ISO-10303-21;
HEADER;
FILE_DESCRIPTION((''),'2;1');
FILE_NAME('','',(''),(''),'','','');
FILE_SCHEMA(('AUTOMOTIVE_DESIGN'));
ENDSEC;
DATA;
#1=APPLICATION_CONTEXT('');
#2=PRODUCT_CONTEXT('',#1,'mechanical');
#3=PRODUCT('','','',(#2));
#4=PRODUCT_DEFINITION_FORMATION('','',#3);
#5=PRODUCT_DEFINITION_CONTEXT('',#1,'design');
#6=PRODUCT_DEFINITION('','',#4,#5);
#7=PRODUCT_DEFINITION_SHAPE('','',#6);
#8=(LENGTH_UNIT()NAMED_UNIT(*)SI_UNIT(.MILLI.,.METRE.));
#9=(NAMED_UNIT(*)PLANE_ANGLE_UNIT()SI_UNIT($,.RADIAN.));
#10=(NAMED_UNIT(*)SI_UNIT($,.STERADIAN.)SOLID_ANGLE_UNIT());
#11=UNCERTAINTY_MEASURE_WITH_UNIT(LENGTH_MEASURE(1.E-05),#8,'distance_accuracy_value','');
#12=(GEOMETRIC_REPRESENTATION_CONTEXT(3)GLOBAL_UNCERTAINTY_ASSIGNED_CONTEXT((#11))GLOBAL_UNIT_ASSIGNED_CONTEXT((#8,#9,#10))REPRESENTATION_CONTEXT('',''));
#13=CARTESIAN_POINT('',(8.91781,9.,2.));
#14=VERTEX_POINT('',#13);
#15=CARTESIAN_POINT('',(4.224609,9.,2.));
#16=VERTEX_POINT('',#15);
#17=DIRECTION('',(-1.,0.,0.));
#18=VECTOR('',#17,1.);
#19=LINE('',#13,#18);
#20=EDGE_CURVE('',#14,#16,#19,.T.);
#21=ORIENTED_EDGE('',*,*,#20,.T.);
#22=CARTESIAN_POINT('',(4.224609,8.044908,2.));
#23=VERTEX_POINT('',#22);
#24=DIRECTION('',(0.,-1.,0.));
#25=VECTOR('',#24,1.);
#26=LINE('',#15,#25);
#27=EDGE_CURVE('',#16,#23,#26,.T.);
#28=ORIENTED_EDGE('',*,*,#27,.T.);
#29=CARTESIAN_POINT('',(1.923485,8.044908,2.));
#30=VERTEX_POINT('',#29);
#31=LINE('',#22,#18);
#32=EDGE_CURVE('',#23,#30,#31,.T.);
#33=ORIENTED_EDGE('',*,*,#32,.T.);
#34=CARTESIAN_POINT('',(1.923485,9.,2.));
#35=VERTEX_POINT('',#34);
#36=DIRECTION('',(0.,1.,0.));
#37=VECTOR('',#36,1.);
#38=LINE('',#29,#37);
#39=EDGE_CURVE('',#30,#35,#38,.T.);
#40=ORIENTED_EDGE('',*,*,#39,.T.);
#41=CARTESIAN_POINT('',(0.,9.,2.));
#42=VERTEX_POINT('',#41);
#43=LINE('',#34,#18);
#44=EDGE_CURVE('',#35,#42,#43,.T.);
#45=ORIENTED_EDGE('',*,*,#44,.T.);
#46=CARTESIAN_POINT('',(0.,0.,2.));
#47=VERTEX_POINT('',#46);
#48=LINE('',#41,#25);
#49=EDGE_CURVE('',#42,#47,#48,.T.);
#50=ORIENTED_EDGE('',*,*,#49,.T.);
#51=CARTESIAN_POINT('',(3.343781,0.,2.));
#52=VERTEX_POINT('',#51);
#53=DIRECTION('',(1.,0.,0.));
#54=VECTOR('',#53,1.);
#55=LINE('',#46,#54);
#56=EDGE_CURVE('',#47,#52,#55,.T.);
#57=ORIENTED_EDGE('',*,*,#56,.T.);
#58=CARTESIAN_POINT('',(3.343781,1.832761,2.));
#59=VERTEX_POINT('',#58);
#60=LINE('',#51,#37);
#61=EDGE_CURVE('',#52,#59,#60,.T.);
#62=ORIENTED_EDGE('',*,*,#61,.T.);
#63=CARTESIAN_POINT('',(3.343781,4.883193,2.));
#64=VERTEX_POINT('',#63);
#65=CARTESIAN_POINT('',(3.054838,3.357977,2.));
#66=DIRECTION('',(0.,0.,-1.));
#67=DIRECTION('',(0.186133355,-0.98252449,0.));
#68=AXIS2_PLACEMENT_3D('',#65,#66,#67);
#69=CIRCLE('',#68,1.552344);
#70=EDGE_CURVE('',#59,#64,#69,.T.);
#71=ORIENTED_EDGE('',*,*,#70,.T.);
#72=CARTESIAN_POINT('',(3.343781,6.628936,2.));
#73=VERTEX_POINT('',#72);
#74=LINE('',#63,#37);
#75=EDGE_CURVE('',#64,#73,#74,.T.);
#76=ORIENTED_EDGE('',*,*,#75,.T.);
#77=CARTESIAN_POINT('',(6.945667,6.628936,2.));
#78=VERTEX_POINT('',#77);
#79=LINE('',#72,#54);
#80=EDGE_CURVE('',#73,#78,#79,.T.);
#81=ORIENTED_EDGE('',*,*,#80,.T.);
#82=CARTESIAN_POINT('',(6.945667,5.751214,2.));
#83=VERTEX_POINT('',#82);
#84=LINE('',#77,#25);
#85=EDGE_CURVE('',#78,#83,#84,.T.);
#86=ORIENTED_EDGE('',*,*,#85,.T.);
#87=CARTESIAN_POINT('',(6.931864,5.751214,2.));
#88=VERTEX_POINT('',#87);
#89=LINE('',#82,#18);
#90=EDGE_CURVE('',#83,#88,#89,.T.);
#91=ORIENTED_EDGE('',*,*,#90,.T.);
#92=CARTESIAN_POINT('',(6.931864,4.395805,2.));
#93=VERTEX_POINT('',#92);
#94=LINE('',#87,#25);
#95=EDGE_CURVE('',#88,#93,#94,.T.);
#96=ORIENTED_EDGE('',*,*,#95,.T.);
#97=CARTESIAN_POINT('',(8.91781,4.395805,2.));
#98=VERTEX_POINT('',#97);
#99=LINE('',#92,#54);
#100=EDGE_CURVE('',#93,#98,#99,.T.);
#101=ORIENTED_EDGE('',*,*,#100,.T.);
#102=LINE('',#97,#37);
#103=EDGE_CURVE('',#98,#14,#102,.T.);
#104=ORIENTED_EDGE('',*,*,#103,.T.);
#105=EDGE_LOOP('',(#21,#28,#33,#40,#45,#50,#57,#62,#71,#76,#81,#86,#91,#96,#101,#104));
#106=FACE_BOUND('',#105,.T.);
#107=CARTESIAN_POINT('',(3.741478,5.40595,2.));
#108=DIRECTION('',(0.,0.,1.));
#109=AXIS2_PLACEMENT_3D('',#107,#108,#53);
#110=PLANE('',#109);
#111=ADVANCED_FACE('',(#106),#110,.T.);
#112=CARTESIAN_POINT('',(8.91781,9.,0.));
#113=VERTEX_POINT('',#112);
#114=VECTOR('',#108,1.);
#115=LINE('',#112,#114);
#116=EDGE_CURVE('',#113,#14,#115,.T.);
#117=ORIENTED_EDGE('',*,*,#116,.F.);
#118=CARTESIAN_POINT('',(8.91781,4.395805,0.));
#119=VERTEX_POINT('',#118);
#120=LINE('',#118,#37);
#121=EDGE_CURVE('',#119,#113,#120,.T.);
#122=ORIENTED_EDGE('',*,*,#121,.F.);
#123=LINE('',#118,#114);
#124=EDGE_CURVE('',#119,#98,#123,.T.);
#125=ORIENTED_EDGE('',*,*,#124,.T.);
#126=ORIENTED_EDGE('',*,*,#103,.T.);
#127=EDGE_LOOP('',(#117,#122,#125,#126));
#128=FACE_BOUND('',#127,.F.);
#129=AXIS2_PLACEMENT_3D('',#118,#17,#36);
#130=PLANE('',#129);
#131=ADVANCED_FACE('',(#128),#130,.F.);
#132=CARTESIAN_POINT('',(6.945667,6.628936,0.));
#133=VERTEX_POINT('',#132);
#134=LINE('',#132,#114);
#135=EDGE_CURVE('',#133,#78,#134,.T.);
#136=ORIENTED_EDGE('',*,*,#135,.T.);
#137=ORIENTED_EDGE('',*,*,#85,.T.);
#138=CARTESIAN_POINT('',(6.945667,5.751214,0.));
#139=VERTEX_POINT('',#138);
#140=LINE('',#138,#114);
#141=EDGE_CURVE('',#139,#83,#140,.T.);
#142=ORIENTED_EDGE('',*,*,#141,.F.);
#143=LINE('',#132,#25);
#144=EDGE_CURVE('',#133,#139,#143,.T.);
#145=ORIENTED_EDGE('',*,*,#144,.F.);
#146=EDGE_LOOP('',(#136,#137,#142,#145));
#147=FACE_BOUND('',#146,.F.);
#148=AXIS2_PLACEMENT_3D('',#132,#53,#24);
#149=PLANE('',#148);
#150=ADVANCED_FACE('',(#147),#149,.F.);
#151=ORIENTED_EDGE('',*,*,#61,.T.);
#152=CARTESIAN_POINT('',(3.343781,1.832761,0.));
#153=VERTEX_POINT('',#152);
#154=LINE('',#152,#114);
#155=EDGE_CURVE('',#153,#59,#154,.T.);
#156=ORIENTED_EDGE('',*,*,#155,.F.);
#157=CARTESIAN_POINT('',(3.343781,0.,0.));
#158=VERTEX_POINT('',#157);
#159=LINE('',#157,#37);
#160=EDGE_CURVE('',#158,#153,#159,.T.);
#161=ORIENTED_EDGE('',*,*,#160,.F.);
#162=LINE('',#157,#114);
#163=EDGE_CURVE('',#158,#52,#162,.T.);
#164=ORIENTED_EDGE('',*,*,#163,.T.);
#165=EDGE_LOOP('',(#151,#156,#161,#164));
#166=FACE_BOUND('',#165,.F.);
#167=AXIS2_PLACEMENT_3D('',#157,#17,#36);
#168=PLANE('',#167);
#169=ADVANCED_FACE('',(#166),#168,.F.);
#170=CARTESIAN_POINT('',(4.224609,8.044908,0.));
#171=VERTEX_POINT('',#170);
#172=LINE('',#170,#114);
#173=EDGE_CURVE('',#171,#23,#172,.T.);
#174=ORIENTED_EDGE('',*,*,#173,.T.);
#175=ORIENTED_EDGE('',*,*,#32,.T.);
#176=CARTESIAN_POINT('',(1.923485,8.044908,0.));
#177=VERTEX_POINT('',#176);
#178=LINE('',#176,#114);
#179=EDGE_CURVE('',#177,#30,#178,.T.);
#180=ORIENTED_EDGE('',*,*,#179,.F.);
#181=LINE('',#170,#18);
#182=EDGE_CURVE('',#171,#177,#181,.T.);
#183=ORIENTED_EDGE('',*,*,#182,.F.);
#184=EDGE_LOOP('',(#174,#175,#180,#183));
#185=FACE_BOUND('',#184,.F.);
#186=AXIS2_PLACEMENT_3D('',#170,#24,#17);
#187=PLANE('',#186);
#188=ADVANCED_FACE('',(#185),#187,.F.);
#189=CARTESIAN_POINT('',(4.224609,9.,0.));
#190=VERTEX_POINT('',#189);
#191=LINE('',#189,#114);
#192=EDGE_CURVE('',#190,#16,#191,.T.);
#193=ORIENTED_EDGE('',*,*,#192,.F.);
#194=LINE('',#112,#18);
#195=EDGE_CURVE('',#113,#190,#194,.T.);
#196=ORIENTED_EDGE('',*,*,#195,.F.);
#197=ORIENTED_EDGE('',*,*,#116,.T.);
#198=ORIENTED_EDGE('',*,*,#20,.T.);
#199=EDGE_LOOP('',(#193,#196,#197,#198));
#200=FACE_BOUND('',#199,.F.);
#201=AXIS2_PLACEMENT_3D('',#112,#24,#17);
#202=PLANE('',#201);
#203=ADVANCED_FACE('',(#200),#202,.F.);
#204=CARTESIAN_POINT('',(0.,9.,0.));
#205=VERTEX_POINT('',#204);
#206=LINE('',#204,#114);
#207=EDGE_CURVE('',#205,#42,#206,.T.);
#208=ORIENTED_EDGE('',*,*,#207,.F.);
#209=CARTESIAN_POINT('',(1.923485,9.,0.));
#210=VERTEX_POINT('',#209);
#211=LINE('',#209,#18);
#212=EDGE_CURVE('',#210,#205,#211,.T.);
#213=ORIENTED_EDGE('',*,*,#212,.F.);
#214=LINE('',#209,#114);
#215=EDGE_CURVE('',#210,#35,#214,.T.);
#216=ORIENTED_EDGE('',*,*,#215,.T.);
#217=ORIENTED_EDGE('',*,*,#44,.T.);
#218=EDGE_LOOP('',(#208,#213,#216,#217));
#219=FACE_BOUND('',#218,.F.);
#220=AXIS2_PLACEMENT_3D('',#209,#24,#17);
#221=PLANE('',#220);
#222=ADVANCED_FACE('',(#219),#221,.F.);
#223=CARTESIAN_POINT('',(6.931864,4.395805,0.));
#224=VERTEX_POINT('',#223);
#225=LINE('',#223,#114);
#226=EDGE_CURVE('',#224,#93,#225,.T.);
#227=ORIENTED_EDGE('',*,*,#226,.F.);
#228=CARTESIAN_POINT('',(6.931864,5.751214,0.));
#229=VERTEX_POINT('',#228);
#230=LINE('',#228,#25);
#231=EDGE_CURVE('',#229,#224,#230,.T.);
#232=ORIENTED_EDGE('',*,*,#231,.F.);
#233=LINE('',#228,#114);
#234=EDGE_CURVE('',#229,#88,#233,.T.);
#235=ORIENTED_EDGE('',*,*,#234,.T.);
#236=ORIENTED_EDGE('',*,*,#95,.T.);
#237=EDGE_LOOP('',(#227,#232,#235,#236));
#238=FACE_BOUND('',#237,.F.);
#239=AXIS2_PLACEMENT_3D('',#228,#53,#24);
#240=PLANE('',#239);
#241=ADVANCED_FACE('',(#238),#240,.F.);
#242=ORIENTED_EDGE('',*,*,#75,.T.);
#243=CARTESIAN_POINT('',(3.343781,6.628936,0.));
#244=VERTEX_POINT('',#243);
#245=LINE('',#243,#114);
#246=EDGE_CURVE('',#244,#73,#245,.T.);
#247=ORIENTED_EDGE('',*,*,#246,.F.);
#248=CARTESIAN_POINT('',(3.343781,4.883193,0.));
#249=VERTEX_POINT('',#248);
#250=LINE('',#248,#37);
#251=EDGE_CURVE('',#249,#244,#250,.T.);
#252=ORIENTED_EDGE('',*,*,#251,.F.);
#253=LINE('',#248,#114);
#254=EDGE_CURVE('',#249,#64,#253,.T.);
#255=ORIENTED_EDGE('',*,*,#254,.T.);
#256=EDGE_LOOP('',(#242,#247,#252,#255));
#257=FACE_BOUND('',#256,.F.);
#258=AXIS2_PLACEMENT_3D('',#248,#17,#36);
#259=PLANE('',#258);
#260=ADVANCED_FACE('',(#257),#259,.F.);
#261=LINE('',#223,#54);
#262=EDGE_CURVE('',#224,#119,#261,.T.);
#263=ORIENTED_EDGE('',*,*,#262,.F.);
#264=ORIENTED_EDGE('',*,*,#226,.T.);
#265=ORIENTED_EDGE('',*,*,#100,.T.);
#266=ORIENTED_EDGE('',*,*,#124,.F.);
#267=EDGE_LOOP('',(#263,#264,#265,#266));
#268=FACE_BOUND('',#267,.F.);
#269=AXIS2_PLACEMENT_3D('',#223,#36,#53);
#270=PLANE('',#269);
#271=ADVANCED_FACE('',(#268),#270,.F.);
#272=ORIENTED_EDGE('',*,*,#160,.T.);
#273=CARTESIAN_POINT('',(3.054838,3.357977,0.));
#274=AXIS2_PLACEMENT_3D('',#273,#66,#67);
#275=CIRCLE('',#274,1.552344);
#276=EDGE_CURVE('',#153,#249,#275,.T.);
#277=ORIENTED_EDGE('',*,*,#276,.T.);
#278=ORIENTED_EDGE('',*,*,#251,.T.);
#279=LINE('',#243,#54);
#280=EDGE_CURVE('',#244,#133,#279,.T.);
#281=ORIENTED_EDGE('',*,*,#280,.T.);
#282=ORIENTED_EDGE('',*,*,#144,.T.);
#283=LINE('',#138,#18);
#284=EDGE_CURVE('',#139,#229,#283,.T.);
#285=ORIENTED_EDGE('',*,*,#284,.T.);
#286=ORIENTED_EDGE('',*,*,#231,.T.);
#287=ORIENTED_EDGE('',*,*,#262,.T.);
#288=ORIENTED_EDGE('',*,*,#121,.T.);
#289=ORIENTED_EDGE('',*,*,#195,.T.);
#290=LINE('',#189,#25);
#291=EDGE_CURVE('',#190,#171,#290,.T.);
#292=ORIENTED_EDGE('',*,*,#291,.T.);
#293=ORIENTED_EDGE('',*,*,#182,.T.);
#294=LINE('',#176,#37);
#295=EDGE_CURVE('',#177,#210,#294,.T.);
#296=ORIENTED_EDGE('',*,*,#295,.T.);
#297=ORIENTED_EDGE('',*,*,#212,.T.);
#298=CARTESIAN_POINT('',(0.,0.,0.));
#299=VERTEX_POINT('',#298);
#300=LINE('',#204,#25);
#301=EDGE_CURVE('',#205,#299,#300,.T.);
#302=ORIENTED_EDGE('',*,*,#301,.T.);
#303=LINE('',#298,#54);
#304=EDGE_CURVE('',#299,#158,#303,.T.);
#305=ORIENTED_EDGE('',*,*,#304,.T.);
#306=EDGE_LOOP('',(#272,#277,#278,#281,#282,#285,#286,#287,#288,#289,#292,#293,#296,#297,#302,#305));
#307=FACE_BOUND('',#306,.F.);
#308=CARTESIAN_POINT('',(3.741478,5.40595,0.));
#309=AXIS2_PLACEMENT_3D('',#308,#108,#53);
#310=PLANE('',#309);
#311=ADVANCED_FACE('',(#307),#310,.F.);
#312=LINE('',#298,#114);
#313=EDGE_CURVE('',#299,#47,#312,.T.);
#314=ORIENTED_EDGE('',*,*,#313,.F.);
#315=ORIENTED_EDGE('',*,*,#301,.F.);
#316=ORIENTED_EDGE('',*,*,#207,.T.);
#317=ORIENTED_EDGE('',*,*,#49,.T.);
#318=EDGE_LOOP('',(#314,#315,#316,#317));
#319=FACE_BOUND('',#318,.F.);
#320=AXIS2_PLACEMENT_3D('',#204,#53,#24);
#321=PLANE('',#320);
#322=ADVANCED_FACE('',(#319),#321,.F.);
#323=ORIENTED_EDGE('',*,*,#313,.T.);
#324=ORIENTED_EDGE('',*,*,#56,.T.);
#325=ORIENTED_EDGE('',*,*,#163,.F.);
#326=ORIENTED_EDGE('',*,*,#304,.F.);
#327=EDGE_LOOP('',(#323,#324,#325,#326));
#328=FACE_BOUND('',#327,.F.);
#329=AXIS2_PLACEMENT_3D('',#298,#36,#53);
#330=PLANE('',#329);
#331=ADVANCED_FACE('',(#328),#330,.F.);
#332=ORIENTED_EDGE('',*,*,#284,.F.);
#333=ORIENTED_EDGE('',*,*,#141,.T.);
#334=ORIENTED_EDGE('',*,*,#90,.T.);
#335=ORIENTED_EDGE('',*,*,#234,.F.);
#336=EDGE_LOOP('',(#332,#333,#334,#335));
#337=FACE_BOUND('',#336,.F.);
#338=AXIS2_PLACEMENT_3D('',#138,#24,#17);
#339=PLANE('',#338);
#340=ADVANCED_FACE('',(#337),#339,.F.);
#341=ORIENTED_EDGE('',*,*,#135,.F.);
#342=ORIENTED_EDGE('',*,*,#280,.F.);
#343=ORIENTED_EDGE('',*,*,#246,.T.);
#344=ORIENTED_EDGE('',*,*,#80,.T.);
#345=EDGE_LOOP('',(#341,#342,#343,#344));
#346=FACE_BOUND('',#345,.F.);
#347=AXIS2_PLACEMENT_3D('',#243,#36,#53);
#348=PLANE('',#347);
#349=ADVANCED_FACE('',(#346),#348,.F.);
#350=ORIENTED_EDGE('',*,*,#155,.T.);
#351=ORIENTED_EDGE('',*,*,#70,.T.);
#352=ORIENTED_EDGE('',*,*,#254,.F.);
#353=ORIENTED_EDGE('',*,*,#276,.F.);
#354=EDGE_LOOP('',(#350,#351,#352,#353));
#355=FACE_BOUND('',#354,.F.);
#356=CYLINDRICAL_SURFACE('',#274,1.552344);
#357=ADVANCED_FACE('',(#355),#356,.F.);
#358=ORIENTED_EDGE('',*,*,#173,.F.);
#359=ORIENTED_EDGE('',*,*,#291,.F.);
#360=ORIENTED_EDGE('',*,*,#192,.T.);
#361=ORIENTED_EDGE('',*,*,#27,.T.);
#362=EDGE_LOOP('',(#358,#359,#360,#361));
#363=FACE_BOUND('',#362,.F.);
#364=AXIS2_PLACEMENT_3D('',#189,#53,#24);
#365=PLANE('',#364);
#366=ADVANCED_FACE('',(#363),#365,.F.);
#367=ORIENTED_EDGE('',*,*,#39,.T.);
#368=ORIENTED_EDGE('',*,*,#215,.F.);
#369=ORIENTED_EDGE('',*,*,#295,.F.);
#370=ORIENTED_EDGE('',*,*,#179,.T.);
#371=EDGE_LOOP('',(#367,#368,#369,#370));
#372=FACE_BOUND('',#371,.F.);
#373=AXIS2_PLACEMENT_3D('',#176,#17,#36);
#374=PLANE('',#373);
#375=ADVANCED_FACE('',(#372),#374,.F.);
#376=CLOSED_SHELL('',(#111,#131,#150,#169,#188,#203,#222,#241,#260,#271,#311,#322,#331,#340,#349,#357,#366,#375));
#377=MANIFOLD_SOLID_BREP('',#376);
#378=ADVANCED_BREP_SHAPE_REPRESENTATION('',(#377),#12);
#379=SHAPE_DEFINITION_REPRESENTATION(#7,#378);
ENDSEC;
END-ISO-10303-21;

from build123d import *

# Parameters (mm, degrees)
F1_DEPTH = 2


with BuildPart() as f1:
    # F0 (on Top) → F1 (new body)
    with BuildSketch(Plane.XY):
        with BuildLine():
            Line((0, 9), (0, 0))
            Line((0, 0), (3.343781, 0))
            Line((3.343781, 0), (3.343781, 1.832761))
            ThreePointArc((3.343781, 1.832761), (1.502494, 3.357977), (3.343781, 4.883193))
            Line((3.343781, 4.883193), (3.343781, 6.628936))
            Line((3.343781, 6.628936), (6.945667, 6.628936))
            Line((6.945667, 6.628936), (6.945667, 5.751214))
            Line((6.945667, 5.751214), (6.931864, 5.751214))
            Line((6.931864, 5.751214), (6.931864, 4.395805))
            Line((6.931864, 4.395805), (8.91781, 4.395805))
            Line((8.91781, 4.395805), (8.91781, 9))
            Line((8.91781, 9), (4.224609, 9))
            Line((4.224609, 9), (4.224609, 8.044908))
            Line((4.224609, 8.044908), (1.923485, 8.044908))
            Line((1.923485, 8.044908), (1.923485, 9))
            Line((1.923485, 9), (0, 9))
        make_face()
    extrude(amount=F1_DEPTH)


solid = f1.part
